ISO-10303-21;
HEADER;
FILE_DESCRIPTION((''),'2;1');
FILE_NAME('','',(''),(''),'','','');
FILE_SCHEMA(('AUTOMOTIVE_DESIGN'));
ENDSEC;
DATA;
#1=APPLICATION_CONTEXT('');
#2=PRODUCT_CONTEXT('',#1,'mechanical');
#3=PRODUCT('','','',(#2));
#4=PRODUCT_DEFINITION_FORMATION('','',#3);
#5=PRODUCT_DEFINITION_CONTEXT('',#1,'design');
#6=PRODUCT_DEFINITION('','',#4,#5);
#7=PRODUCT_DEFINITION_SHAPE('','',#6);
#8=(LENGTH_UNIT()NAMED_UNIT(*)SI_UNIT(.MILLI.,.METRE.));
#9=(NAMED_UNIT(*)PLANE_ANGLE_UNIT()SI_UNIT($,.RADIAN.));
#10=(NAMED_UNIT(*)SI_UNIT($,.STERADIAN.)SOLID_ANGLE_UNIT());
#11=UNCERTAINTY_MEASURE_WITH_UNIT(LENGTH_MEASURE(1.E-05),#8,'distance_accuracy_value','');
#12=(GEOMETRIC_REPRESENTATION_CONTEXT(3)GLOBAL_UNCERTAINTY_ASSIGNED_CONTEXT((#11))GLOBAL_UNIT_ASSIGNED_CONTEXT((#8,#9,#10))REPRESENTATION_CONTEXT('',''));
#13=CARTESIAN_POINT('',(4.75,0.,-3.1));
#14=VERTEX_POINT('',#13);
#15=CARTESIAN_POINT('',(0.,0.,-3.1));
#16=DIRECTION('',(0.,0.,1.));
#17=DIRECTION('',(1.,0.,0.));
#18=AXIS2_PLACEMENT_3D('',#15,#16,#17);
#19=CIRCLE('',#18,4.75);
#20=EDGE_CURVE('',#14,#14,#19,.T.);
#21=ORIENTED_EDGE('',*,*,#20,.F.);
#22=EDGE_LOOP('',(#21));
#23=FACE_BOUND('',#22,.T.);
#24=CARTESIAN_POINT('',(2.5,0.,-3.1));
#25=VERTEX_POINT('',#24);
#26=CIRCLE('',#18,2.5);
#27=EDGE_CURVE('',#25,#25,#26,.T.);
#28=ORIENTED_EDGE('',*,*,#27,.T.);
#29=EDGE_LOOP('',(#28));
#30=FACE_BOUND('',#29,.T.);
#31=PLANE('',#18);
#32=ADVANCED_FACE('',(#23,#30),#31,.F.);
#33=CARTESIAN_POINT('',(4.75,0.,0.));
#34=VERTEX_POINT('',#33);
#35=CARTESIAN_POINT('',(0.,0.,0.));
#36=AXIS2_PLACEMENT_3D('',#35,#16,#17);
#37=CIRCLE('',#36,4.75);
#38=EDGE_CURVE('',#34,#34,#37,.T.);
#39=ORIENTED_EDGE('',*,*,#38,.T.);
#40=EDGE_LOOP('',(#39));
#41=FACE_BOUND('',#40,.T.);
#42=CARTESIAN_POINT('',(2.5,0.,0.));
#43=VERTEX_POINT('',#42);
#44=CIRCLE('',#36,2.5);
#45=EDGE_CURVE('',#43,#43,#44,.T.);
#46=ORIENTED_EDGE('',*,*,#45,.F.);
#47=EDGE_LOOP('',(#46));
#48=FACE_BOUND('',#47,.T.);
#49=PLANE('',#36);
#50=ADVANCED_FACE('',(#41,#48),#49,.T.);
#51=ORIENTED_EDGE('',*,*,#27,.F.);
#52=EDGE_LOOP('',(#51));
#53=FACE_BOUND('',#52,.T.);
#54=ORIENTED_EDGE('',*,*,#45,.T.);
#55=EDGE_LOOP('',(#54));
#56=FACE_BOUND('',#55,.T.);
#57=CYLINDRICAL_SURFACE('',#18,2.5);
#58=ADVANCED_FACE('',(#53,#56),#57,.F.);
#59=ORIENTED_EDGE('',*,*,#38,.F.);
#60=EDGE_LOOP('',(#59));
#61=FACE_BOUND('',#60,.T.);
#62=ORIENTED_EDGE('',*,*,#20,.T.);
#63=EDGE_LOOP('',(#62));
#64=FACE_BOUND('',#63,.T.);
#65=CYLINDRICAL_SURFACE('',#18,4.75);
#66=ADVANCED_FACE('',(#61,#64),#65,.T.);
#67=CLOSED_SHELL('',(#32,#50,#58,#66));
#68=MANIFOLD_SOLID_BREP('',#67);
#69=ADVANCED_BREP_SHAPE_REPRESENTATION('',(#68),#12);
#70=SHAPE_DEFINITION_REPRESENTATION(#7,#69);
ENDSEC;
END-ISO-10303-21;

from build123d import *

# Parameters (mm, degrees)
SKETCH1_R          = 4.75
EXTRUDE1_DEPTH     = 3.1
SKETCH2_R          = 2.5
CUT_EXTRUDE1_DEPTH = 4.1


with BuildPart() as part:
    # Sketch1 → Extrude1 (new body)
    with BuildSketch(Plane.XY):
        Circle(SKETCH1_R)
    extrude(amount=-EXTRUDE1_DEPTH)

    # Sketch2 → Cut-Extrude1 (cut, through all)
    with BuildSketch(Plane.XY):
        Circle(SKETCH2_R)
    extrude(amount=-CUT_EXTRUDE1_DEPTH, mode=Mode.SUBTRACT)


solid = part.part
